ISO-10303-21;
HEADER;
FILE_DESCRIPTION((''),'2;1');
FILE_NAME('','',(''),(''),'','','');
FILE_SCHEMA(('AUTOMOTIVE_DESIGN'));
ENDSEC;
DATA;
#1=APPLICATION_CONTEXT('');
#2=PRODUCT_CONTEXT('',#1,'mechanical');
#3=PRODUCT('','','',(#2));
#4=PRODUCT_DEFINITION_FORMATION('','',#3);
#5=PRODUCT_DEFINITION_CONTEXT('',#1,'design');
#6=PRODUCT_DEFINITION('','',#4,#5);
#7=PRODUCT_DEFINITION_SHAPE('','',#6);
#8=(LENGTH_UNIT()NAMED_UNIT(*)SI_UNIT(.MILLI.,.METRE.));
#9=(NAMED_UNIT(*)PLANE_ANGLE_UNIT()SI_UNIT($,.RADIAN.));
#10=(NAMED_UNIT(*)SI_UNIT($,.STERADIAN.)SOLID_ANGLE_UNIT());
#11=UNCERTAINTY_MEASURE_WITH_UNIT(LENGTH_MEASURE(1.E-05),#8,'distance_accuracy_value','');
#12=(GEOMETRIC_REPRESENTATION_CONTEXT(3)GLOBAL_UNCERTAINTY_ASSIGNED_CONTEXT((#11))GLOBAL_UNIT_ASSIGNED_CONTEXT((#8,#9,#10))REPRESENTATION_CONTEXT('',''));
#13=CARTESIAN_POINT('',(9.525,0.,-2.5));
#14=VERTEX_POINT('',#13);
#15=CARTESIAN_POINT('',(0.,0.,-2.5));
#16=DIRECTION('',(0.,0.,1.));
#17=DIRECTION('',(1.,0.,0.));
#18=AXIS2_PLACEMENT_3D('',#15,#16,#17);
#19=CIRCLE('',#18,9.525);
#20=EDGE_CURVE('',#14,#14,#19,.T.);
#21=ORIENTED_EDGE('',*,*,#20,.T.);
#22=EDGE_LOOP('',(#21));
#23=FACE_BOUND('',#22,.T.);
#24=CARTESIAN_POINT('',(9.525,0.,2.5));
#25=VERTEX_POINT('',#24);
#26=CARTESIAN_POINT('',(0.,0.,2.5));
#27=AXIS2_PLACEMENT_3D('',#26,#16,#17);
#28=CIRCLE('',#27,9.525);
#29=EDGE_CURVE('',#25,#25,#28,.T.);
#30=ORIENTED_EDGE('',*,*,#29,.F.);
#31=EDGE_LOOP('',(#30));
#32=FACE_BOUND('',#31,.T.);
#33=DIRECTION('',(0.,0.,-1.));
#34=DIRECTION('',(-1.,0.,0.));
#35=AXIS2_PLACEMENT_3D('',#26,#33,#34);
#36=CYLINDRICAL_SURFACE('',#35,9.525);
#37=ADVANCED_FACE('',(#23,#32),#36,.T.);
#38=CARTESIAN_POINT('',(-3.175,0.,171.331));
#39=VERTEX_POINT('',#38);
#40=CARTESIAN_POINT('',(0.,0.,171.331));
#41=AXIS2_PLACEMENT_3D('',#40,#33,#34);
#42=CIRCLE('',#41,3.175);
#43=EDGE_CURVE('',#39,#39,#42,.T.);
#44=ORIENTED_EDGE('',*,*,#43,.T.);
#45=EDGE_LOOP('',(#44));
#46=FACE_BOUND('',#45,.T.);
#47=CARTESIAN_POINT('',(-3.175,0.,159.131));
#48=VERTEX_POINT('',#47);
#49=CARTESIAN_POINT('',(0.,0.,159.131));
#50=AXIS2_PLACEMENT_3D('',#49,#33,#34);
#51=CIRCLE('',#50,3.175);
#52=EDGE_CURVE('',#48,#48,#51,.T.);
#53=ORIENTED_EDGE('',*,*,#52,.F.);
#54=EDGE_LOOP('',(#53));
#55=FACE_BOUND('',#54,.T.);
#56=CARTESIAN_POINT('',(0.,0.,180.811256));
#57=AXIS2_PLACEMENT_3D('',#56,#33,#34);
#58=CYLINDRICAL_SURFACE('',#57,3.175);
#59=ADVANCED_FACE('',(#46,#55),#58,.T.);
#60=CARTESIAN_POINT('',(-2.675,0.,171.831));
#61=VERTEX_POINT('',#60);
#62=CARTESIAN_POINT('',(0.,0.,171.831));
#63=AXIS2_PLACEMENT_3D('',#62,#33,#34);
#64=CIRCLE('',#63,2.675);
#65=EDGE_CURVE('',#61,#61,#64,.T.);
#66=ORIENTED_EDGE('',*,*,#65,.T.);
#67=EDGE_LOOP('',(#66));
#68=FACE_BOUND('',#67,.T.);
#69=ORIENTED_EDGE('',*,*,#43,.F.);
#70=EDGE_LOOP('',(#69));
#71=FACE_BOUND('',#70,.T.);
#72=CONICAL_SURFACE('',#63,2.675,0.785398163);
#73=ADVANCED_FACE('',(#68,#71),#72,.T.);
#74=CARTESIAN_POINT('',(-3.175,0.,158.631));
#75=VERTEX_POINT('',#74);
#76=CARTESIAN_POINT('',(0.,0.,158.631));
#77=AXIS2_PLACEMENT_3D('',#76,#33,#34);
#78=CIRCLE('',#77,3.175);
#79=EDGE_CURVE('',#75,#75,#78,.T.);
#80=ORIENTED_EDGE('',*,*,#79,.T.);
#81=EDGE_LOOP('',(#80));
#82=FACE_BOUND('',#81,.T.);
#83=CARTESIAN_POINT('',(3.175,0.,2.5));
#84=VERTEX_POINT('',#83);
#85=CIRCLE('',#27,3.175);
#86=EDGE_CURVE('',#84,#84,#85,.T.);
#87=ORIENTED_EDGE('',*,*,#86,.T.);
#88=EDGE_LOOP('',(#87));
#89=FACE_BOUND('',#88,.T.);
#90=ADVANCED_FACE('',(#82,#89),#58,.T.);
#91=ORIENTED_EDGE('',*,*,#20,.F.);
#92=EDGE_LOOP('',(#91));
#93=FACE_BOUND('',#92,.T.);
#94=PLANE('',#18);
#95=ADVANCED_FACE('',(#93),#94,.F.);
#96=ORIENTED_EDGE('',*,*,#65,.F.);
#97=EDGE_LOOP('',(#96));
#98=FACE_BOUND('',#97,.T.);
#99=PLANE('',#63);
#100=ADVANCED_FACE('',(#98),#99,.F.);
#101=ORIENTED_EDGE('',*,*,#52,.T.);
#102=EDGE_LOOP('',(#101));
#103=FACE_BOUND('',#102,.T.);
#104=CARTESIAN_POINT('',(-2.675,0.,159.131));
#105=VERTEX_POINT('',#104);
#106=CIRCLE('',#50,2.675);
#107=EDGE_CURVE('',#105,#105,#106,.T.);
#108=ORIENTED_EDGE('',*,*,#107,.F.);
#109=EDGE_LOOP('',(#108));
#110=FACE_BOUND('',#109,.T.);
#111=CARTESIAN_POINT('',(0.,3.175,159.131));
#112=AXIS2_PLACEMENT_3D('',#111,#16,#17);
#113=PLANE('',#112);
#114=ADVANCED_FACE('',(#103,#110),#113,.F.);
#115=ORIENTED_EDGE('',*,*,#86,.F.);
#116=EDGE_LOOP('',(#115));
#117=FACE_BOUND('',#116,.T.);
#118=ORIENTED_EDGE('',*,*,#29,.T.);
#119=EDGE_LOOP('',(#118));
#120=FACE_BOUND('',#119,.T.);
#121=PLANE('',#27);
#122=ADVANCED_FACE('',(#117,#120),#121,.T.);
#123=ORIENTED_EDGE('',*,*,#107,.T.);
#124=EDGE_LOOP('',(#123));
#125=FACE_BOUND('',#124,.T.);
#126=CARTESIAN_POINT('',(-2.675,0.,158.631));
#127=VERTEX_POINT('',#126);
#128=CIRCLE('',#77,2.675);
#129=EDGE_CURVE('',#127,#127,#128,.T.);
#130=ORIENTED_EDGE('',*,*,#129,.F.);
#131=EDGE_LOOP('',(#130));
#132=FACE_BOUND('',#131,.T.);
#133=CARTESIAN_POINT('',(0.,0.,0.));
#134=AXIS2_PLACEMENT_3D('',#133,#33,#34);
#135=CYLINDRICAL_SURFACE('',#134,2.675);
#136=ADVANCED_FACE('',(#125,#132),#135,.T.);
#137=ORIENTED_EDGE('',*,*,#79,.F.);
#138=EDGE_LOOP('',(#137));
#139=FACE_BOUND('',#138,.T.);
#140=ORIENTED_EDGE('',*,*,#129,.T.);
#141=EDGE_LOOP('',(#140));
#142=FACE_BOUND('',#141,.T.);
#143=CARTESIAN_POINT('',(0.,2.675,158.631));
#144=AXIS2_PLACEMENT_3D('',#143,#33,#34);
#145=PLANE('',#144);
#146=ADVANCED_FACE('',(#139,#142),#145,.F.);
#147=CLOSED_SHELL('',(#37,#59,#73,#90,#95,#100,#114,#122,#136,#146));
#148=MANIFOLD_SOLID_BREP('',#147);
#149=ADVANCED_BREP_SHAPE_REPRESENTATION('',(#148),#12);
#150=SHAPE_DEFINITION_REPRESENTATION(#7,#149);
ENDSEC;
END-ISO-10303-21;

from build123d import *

# Parameters (mm, degrees)
SKETCH1_R      = 3.175
EXTRUDE1_DEPTH = 171.831
SKETCH2_R      = 9.525
PISTON_DEPTH   = 2.5


with BuildPart() as part:
    # Sketch1 → Extrude1 (new body)
    with BuildSketch(Plane.XY):
        with Locations(Location((0, 0, 0), (0, 0, 180))):
            Circle(SKETCH1_R)
    extrude(amount=EXTRUDE1_DEPTH)

    # Sketch2 → Piston (add, symmetric)
    with BuildSketch(Plane.XY):
        Circle(SKETCH2_R)
    extrude(amount=PISTON_DEPTH, both=True)

    # Sketch3 → Threads (revolve, cut)
    with BuildSketch(Plane(origin=(0, 0, 0), x_dir=(0, 0, -1), z_dir=(1, 0, 0)), mode=Mode.PRIVATE) as threads_sk:
        Polygon((-171.831, 9.525), (-158.631, 9.525), (-158.631, 2.675), (-159.131, 2.675), (-159.131, 3.175), (-171.331, 3.175), (-171.831, 2.675), align=None)
    revolve(threads_sk.sketch.rotate(Axis((0, 0, 0), (0, 0, 1)), 90), axis=Axis((0, 0, 0), (0, 0, 1)), mode=Mode.SUBTRACT)


solid = part.part
